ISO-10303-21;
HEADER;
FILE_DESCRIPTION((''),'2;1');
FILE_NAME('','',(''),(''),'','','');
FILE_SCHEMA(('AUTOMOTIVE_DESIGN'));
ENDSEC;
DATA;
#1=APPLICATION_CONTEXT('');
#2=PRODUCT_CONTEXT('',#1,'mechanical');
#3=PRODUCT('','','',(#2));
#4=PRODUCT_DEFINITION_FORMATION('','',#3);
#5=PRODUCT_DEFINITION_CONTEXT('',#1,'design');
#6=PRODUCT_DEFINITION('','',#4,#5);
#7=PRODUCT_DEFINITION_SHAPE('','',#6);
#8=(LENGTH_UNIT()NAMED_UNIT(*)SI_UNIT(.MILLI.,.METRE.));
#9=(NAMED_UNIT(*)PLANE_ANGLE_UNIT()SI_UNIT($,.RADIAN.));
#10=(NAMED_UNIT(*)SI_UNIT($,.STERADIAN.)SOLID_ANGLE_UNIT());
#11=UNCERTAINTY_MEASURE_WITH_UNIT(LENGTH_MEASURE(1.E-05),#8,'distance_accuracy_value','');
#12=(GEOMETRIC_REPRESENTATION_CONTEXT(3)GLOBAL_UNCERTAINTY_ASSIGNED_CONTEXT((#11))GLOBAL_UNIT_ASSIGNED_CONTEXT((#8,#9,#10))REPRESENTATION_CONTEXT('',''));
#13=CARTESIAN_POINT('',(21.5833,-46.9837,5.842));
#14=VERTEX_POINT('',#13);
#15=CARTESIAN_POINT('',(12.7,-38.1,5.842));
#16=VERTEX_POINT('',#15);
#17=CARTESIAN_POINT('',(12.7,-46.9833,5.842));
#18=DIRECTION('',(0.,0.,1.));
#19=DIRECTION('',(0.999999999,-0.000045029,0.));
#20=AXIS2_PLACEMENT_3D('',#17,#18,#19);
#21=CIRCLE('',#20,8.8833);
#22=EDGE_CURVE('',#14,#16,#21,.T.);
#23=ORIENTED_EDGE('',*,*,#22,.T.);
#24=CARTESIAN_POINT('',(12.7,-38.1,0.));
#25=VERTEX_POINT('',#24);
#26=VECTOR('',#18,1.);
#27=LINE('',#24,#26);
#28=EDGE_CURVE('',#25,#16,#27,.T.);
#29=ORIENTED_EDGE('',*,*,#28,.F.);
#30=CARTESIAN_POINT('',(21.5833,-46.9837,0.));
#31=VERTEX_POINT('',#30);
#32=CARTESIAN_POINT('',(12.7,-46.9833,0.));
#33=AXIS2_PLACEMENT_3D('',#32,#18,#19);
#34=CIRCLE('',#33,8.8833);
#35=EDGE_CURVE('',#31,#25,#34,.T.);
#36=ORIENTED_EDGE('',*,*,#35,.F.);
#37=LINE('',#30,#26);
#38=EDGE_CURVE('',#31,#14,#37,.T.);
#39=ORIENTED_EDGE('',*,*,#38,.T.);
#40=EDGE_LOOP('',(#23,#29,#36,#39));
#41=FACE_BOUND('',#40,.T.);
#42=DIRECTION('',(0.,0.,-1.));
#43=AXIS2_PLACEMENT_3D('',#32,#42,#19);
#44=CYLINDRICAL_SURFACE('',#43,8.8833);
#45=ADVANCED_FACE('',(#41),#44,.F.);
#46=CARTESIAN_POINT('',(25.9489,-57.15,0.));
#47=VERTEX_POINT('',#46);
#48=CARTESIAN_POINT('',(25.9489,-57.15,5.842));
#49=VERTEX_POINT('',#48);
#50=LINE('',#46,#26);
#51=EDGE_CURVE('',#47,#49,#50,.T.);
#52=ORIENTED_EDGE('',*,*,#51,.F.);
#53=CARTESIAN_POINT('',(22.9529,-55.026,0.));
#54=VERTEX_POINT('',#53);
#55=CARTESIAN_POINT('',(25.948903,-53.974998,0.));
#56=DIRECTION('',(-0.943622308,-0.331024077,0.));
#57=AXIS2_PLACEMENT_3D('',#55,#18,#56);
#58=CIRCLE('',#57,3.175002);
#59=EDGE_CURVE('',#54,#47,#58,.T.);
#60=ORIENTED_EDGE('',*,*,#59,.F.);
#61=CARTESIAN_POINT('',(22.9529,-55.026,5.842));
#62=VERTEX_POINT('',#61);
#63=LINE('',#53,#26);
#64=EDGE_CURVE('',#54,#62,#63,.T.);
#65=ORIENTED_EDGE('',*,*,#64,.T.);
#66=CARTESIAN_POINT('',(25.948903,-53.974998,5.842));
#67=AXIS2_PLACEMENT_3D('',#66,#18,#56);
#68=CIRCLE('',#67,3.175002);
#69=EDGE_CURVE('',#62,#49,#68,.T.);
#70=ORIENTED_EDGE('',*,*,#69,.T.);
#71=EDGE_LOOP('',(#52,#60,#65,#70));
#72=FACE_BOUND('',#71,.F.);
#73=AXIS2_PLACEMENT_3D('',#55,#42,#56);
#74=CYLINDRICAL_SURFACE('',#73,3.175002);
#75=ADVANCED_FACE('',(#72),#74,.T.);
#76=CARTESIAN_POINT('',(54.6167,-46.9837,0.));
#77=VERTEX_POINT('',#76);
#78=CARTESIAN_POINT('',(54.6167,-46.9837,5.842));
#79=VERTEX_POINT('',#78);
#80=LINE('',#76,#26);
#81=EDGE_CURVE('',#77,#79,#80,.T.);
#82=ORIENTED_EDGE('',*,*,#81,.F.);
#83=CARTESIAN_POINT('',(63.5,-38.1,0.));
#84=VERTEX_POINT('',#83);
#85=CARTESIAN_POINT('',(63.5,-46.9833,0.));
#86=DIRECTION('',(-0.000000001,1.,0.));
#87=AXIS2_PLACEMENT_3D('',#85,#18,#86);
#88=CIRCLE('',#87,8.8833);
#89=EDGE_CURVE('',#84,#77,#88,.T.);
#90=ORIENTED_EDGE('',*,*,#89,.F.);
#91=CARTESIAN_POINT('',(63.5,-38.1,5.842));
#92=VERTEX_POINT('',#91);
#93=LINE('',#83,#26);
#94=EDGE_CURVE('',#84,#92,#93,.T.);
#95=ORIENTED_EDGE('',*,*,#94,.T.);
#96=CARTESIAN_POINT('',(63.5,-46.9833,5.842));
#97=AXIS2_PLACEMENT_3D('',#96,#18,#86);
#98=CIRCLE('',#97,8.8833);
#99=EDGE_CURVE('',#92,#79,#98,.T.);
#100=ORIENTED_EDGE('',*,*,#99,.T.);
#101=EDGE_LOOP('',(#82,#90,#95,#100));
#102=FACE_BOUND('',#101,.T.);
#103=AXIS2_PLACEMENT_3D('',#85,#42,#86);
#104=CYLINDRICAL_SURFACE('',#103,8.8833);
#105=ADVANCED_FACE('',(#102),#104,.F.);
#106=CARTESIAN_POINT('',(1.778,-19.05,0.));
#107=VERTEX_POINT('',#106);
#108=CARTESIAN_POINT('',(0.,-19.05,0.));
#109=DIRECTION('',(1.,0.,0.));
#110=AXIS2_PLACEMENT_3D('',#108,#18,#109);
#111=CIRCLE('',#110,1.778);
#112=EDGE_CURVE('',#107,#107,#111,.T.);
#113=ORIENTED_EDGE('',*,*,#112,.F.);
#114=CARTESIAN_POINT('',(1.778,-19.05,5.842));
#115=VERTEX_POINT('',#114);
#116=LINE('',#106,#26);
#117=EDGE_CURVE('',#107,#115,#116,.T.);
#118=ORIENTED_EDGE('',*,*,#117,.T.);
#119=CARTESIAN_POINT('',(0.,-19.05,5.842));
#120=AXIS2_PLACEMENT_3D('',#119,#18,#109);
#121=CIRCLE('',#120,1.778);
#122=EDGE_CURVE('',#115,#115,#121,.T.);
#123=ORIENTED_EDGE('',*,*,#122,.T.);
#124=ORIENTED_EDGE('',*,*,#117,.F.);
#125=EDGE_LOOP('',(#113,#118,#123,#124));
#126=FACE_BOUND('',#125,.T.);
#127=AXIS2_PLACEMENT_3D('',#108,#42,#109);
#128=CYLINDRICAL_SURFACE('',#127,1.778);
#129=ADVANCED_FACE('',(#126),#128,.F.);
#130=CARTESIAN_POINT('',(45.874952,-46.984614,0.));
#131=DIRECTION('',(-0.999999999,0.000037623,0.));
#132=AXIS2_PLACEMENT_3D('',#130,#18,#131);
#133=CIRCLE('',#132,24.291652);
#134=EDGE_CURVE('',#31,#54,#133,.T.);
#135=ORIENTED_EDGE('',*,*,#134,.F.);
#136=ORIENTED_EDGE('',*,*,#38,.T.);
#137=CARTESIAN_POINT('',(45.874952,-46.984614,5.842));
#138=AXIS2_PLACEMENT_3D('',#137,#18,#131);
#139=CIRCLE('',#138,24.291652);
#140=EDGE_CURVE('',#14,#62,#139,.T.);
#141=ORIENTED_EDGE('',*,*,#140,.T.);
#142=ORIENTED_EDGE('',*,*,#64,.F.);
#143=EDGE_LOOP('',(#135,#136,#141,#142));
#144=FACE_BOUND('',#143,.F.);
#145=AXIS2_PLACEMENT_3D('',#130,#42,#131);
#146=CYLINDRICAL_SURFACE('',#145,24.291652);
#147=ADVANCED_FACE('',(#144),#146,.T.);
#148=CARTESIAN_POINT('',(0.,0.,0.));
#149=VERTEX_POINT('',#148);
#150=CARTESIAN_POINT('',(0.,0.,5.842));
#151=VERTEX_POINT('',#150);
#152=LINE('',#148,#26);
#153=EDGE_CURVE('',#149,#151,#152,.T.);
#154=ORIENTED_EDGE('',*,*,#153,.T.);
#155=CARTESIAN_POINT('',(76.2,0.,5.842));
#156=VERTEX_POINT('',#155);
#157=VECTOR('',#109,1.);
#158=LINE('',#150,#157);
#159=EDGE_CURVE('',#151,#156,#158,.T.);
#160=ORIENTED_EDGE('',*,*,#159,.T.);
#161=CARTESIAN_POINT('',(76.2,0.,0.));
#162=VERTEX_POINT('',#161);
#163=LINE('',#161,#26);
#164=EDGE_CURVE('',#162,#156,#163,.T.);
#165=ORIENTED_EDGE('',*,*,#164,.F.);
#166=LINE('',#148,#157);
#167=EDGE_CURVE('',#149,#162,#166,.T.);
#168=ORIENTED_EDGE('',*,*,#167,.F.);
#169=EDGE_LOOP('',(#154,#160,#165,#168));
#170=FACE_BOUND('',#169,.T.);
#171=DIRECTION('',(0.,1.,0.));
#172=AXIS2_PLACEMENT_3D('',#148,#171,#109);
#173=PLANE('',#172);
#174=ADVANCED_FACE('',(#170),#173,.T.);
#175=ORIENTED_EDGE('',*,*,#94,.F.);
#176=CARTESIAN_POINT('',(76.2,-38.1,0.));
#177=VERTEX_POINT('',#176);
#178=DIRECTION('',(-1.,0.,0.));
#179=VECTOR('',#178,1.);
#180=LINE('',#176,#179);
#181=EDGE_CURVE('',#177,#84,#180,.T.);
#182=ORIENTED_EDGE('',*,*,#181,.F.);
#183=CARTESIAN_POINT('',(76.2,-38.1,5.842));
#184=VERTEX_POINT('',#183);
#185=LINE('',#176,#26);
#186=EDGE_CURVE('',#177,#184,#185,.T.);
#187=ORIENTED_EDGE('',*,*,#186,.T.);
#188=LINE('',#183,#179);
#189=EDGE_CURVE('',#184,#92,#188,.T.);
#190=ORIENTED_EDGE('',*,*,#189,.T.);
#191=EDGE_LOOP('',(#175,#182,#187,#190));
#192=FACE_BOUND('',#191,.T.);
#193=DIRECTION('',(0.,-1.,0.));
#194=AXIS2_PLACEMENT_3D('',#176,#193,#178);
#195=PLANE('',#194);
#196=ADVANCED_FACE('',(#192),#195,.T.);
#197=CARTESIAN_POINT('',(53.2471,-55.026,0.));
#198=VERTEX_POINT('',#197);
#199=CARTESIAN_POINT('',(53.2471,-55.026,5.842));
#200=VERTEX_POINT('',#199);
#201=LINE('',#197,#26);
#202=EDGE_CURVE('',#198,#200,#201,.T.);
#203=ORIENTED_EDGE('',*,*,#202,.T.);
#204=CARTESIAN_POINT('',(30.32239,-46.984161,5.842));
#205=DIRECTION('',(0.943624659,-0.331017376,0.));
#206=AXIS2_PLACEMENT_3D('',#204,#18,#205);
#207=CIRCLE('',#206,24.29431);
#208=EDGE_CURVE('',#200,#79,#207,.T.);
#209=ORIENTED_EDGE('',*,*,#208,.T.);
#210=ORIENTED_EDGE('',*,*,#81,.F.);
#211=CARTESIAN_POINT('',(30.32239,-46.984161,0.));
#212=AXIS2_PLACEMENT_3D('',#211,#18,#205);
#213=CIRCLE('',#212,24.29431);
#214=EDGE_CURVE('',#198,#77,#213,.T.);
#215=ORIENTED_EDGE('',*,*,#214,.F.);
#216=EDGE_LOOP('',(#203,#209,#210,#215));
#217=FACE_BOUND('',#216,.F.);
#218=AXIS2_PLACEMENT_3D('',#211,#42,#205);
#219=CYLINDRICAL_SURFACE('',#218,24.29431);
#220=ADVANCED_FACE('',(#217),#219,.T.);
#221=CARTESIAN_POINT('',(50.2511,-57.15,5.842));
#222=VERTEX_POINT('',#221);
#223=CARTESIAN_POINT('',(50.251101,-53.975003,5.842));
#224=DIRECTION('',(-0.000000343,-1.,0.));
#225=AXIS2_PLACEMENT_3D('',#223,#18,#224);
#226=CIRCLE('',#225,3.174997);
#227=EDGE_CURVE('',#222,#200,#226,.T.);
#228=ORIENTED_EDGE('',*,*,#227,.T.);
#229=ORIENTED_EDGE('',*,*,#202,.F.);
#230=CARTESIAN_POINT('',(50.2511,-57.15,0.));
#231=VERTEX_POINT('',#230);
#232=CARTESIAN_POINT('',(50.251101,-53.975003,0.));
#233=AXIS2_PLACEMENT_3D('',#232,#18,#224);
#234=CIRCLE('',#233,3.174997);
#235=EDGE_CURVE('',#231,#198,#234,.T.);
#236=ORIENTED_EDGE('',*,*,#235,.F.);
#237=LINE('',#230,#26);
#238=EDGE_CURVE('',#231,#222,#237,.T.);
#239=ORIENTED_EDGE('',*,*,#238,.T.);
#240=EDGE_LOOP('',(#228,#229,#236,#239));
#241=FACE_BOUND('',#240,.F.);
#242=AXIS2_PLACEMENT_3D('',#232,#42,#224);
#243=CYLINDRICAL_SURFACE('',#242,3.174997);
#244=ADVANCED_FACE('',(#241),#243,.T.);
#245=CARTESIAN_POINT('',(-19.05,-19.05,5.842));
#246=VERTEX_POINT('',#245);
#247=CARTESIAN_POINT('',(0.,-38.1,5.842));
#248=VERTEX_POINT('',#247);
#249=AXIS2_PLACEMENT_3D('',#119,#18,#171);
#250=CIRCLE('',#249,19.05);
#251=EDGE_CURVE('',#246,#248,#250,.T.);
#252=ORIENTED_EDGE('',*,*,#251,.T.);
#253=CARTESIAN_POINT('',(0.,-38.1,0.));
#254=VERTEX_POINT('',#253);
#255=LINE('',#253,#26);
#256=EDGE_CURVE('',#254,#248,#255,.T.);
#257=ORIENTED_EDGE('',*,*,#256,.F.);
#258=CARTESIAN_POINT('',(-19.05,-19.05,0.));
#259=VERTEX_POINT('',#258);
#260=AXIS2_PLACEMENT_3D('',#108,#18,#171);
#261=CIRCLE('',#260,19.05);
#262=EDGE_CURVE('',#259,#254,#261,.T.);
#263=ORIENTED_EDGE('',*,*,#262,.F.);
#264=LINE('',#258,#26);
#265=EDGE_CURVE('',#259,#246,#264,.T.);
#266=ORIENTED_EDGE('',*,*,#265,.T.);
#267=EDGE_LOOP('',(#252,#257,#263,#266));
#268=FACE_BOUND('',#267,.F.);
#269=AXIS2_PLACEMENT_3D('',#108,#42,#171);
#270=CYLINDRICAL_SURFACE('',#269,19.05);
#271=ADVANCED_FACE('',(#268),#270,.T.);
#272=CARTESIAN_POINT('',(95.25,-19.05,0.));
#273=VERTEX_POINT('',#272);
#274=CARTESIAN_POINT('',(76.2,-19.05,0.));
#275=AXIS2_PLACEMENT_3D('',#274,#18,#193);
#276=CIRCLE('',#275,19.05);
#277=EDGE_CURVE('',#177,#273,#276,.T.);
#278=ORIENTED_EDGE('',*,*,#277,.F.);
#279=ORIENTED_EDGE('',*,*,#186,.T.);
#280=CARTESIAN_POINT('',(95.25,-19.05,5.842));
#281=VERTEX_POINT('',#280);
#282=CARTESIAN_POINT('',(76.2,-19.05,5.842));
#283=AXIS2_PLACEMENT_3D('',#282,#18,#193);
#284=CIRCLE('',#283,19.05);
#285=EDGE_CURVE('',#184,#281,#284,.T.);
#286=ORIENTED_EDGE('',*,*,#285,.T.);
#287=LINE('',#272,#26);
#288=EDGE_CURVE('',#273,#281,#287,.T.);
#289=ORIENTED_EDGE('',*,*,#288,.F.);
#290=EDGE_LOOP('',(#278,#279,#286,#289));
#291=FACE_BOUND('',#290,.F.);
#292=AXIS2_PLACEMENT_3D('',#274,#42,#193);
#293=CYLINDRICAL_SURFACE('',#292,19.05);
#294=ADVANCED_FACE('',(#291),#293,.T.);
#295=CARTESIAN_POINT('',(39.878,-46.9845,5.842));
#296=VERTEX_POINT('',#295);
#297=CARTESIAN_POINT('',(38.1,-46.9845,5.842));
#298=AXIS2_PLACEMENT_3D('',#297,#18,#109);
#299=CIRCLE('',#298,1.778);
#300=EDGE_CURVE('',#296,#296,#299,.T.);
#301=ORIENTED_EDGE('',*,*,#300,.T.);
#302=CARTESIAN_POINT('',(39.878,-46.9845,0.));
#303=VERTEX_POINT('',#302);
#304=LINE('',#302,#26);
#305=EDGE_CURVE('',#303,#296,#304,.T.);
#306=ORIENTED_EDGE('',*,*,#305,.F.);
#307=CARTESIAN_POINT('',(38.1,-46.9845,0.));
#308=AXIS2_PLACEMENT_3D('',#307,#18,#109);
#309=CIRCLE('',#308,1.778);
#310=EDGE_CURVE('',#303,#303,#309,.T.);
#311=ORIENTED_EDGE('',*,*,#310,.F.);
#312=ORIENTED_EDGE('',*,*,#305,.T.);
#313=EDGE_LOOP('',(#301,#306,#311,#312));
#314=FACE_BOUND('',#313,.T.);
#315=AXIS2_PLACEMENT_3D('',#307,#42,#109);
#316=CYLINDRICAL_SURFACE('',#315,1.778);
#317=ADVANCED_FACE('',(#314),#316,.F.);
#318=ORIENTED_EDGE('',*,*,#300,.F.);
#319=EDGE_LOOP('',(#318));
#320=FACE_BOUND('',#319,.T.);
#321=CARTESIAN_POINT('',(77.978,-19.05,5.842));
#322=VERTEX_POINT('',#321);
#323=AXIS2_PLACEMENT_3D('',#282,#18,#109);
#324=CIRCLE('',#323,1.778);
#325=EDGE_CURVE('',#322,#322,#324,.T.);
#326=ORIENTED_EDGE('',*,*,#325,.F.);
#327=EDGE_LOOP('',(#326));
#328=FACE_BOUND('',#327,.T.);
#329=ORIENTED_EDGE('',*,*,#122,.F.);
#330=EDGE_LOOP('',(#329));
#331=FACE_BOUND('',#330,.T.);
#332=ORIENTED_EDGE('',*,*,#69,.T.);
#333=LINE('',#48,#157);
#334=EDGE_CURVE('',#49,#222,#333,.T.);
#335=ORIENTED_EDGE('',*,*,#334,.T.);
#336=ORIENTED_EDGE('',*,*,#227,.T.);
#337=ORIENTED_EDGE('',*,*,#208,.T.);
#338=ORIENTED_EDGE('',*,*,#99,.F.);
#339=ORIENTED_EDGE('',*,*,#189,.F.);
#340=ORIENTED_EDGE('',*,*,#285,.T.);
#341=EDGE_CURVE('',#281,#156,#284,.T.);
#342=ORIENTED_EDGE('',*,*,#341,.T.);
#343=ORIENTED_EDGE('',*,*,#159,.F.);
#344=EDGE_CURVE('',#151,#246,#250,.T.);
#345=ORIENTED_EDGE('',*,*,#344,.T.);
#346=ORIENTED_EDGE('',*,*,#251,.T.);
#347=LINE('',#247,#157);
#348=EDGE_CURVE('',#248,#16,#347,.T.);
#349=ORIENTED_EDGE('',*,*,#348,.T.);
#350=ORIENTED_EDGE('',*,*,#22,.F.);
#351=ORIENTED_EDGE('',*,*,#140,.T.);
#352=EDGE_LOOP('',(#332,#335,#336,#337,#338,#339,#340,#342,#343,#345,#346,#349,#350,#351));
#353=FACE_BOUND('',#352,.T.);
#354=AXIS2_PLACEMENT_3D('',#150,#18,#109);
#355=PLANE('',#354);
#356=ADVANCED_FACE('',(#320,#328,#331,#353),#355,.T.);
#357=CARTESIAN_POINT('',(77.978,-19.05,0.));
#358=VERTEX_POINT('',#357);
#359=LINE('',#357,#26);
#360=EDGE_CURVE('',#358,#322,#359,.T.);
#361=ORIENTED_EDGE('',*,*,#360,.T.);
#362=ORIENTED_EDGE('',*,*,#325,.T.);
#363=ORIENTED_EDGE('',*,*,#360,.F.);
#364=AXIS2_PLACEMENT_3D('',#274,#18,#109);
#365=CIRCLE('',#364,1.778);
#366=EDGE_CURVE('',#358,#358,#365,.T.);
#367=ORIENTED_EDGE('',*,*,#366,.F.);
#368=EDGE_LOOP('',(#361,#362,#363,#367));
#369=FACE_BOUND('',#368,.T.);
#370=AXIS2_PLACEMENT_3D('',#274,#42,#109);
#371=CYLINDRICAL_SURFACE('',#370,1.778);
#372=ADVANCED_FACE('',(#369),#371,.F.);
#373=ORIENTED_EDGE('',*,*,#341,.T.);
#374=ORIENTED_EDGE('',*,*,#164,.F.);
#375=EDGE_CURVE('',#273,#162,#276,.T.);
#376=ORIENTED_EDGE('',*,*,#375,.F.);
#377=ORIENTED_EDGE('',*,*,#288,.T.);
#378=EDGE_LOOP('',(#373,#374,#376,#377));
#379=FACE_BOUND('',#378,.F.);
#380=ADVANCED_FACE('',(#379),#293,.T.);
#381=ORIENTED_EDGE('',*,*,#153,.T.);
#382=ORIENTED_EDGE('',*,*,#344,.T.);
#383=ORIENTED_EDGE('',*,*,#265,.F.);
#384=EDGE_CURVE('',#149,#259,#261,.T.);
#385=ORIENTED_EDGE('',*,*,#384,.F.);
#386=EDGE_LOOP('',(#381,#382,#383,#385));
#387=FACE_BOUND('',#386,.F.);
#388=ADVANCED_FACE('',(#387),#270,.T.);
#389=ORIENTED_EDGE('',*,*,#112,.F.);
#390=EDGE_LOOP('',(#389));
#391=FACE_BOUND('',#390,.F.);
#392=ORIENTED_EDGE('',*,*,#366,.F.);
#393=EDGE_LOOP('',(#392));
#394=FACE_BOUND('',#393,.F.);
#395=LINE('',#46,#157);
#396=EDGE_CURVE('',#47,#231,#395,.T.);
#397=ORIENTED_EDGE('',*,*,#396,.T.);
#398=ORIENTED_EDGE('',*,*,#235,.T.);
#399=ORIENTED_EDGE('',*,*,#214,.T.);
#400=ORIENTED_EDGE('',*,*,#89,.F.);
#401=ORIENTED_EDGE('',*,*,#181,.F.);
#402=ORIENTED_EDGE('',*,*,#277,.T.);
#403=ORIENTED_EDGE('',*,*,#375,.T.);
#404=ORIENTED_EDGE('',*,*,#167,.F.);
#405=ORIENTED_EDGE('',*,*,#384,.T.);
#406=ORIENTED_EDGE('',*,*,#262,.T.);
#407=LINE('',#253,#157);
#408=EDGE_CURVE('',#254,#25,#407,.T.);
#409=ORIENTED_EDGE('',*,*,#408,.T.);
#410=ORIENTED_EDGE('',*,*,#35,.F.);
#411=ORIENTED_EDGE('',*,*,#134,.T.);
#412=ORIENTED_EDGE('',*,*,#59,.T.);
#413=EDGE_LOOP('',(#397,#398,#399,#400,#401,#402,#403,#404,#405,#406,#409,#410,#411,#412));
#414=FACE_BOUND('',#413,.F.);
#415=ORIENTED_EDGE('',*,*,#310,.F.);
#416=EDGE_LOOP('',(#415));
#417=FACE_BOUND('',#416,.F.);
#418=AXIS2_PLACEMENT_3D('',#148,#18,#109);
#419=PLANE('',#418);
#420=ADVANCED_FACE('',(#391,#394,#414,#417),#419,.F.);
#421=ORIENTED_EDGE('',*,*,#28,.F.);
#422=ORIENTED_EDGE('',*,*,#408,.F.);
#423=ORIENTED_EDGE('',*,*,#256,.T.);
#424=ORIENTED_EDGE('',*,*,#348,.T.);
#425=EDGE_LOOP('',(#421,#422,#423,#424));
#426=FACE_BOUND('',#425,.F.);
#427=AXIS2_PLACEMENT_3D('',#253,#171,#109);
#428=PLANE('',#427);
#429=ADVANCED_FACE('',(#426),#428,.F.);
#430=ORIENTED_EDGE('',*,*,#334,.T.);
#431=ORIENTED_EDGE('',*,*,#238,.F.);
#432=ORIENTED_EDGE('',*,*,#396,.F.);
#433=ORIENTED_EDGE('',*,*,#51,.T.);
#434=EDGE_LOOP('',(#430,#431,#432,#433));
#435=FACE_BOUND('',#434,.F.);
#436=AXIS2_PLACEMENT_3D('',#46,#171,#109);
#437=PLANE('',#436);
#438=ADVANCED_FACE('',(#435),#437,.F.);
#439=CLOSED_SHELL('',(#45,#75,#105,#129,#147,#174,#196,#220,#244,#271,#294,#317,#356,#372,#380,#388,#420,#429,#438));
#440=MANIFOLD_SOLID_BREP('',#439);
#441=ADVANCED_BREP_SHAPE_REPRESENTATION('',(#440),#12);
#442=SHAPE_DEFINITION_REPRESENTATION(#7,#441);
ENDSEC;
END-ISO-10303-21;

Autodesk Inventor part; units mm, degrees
ref_plane "YZ Plane" through (0, 0, 0) normal (1, 0, 0) x (0, 1, 0)
ref_plane "XZ Plane" through (0, 0, 0) normal (0, 1, 0) x (-1, 0, 0)
ref_plane "XY Plane" through (0, 0, 0) normal (0, 0, 1) x (1, 0, 0)
sketch "Sketch1" plane through (0, 0, 0) normal (0, 0, 1) x (1, 0, 0)
  line L0 (0, 0) -> (76.2, 0)
  arc A0 (0, 0) -> (0, -38.1) centre (0, -19.05) ccw
  arc A1 (76.2, -38.1) -> (76.2, 0) centre (76.2, -19.05) ccw
  line L1 (76.2, -38.1) -> (63.5, -38.1)
  line L2 (0, -38.1) -> (12.7, -38.1)
  arc A2 (21.5833, -46.9837) -> (12.7, -38.1) centre (12.7, -46.9833) ccw
  arc A3 (21.5833, -46.9837) -> (22.9529, -55.026) centre (45.8763, -46.9845) ccw
  arc A4 (22.9529, -55.026) -> (25.9489, -57.15) centre (25.9489, -53.975) ccw
  arc A5 (63.5, -38.1) -> (54.6167, -46.9837) centre (63.5, -46.9833) ccw
  arc A6 (53.2471, -55.026) -> (54.6167, -46.9837) centre (30.3237, -46.9845) ccw
  arc A7 (50.2511, -57.15) -> (53.2471, -55.026) centre (50.2511, -53.975) ccw
  line L3 (25.9489, -57.15) -> (50.2511, -57.15)
  circle A8 centre (0, -19.05) radius 1.778
  circle A9 centre (76.2, -19.05) radius 1.778
  circle A10 centre (38.1, -46.9845) radius 1.778
  line L4 (-19.05, -19.05) -> (-19.05, 0)
  line L5 (95.25, -19.05) -> (95.25, 0)
  point P0 (23.8125, -57.15)
  dimension "d0" = 76.2
  dimension "d1" = 38.1
  dimension "d5" = 12.7
  dimension "d6" = 12.7
  dimension "d8" = 3.175
  dimension "d9" = 3.556
  dimension "d10" = 3.556
  dimension "d11" = 3.556
  dimension "d14" = 19.05
  dimension "d15" = 19.05
extrude "Extrusion1" add sketch "Sketch1" along normal blind 5.842
properties part number "casing"
